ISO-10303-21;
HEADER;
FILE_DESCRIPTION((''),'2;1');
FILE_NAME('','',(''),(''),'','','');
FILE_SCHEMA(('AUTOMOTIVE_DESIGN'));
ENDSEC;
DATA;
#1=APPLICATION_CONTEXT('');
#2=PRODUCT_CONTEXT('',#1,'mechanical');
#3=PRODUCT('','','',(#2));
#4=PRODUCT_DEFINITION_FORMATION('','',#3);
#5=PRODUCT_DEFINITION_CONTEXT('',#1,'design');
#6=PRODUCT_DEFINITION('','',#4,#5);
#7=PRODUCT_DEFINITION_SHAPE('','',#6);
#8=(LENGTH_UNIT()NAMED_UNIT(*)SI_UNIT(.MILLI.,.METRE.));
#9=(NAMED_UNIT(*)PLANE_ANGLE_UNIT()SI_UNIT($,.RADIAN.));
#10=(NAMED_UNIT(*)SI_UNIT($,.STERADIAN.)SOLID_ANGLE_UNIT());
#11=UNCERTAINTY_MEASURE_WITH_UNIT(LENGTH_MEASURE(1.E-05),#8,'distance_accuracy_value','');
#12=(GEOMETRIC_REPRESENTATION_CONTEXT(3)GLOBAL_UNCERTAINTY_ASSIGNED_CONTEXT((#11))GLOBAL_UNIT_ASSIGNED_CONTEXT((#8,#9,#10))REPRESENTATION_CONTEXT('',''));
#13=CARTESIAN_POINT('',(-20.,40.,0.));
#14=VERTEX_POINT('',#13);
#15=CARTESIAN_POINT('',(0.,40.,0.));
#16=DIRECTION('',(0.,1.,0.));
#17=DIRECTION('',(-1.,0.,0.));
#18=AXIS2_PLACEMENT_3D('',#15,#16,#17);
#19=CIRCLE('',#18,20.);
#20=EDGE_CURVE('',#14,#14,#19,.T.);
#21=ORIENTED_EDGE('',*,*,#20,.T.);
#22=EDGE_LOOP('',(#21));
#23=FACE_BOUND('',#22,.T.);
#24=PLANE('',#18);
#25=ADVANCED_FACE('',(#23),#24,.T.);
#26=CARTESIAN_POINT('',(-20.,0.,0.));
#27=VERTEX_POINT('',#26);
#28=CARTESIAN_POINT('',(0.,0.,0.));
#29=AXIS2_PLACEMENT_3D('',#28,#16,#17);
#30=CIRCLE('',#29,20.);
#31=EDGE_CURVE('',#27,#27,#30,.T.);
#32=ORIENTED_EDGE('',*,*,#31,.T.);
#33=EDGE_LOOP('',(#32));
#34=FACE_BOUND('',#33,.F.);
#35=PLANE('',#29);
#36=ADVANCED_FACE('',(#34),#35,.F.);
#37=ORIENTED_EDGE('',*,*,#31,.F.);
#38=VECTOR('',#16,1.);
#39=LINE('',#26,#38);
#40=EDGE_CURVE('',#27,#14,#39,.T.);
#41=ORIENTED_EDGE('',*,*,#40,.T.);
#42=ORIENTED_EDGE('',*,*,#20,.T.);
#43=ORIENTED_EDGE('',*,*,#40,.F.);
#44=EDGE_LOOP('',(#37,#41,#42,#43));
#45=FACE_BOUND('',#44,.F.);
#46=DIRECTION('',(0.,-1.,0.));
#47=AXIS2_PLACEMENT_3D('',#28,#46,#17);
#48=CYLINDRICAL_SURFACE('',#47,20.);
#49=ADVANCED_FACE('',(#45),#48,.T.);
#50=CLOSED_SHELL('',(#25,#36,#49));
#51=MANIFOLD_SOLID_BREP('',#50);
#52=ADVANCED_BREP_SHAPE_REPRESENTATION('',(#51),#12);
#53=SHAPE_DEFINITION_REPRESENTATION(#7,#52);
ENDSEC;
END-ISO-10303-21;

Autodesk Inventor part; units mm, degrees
ref_plane "YZ Plane" through (0, 0, 0) normal (1, 0, 0) x (0, 1, 0)
ref_plane "XZ Plane" through (0, 0, 0) normal (0, 1, 0) x (-1, 0, 0)
ref_plane "XY Plane" through (0, 0, 0) normal (0, 0, 1) x (1, 0, 0)
sketch "Esquisse1" plane through (0, 0, 0) normal (0, 1, 0) x (-1, 0, 0)
  circle A0 centre (0, 0) radius 20
  dimension "d0" = 40
extrude "Cylindre1" add sketch "Esquisse1" along normal blind 40
equation "\"d0\" = dd1"
equation "\"d1\" = dd0"
equation "\"dd0\" = 40"
equation "\"dd1\" = 40"
properties part number "Cylindre" material "Plastique ABS"
